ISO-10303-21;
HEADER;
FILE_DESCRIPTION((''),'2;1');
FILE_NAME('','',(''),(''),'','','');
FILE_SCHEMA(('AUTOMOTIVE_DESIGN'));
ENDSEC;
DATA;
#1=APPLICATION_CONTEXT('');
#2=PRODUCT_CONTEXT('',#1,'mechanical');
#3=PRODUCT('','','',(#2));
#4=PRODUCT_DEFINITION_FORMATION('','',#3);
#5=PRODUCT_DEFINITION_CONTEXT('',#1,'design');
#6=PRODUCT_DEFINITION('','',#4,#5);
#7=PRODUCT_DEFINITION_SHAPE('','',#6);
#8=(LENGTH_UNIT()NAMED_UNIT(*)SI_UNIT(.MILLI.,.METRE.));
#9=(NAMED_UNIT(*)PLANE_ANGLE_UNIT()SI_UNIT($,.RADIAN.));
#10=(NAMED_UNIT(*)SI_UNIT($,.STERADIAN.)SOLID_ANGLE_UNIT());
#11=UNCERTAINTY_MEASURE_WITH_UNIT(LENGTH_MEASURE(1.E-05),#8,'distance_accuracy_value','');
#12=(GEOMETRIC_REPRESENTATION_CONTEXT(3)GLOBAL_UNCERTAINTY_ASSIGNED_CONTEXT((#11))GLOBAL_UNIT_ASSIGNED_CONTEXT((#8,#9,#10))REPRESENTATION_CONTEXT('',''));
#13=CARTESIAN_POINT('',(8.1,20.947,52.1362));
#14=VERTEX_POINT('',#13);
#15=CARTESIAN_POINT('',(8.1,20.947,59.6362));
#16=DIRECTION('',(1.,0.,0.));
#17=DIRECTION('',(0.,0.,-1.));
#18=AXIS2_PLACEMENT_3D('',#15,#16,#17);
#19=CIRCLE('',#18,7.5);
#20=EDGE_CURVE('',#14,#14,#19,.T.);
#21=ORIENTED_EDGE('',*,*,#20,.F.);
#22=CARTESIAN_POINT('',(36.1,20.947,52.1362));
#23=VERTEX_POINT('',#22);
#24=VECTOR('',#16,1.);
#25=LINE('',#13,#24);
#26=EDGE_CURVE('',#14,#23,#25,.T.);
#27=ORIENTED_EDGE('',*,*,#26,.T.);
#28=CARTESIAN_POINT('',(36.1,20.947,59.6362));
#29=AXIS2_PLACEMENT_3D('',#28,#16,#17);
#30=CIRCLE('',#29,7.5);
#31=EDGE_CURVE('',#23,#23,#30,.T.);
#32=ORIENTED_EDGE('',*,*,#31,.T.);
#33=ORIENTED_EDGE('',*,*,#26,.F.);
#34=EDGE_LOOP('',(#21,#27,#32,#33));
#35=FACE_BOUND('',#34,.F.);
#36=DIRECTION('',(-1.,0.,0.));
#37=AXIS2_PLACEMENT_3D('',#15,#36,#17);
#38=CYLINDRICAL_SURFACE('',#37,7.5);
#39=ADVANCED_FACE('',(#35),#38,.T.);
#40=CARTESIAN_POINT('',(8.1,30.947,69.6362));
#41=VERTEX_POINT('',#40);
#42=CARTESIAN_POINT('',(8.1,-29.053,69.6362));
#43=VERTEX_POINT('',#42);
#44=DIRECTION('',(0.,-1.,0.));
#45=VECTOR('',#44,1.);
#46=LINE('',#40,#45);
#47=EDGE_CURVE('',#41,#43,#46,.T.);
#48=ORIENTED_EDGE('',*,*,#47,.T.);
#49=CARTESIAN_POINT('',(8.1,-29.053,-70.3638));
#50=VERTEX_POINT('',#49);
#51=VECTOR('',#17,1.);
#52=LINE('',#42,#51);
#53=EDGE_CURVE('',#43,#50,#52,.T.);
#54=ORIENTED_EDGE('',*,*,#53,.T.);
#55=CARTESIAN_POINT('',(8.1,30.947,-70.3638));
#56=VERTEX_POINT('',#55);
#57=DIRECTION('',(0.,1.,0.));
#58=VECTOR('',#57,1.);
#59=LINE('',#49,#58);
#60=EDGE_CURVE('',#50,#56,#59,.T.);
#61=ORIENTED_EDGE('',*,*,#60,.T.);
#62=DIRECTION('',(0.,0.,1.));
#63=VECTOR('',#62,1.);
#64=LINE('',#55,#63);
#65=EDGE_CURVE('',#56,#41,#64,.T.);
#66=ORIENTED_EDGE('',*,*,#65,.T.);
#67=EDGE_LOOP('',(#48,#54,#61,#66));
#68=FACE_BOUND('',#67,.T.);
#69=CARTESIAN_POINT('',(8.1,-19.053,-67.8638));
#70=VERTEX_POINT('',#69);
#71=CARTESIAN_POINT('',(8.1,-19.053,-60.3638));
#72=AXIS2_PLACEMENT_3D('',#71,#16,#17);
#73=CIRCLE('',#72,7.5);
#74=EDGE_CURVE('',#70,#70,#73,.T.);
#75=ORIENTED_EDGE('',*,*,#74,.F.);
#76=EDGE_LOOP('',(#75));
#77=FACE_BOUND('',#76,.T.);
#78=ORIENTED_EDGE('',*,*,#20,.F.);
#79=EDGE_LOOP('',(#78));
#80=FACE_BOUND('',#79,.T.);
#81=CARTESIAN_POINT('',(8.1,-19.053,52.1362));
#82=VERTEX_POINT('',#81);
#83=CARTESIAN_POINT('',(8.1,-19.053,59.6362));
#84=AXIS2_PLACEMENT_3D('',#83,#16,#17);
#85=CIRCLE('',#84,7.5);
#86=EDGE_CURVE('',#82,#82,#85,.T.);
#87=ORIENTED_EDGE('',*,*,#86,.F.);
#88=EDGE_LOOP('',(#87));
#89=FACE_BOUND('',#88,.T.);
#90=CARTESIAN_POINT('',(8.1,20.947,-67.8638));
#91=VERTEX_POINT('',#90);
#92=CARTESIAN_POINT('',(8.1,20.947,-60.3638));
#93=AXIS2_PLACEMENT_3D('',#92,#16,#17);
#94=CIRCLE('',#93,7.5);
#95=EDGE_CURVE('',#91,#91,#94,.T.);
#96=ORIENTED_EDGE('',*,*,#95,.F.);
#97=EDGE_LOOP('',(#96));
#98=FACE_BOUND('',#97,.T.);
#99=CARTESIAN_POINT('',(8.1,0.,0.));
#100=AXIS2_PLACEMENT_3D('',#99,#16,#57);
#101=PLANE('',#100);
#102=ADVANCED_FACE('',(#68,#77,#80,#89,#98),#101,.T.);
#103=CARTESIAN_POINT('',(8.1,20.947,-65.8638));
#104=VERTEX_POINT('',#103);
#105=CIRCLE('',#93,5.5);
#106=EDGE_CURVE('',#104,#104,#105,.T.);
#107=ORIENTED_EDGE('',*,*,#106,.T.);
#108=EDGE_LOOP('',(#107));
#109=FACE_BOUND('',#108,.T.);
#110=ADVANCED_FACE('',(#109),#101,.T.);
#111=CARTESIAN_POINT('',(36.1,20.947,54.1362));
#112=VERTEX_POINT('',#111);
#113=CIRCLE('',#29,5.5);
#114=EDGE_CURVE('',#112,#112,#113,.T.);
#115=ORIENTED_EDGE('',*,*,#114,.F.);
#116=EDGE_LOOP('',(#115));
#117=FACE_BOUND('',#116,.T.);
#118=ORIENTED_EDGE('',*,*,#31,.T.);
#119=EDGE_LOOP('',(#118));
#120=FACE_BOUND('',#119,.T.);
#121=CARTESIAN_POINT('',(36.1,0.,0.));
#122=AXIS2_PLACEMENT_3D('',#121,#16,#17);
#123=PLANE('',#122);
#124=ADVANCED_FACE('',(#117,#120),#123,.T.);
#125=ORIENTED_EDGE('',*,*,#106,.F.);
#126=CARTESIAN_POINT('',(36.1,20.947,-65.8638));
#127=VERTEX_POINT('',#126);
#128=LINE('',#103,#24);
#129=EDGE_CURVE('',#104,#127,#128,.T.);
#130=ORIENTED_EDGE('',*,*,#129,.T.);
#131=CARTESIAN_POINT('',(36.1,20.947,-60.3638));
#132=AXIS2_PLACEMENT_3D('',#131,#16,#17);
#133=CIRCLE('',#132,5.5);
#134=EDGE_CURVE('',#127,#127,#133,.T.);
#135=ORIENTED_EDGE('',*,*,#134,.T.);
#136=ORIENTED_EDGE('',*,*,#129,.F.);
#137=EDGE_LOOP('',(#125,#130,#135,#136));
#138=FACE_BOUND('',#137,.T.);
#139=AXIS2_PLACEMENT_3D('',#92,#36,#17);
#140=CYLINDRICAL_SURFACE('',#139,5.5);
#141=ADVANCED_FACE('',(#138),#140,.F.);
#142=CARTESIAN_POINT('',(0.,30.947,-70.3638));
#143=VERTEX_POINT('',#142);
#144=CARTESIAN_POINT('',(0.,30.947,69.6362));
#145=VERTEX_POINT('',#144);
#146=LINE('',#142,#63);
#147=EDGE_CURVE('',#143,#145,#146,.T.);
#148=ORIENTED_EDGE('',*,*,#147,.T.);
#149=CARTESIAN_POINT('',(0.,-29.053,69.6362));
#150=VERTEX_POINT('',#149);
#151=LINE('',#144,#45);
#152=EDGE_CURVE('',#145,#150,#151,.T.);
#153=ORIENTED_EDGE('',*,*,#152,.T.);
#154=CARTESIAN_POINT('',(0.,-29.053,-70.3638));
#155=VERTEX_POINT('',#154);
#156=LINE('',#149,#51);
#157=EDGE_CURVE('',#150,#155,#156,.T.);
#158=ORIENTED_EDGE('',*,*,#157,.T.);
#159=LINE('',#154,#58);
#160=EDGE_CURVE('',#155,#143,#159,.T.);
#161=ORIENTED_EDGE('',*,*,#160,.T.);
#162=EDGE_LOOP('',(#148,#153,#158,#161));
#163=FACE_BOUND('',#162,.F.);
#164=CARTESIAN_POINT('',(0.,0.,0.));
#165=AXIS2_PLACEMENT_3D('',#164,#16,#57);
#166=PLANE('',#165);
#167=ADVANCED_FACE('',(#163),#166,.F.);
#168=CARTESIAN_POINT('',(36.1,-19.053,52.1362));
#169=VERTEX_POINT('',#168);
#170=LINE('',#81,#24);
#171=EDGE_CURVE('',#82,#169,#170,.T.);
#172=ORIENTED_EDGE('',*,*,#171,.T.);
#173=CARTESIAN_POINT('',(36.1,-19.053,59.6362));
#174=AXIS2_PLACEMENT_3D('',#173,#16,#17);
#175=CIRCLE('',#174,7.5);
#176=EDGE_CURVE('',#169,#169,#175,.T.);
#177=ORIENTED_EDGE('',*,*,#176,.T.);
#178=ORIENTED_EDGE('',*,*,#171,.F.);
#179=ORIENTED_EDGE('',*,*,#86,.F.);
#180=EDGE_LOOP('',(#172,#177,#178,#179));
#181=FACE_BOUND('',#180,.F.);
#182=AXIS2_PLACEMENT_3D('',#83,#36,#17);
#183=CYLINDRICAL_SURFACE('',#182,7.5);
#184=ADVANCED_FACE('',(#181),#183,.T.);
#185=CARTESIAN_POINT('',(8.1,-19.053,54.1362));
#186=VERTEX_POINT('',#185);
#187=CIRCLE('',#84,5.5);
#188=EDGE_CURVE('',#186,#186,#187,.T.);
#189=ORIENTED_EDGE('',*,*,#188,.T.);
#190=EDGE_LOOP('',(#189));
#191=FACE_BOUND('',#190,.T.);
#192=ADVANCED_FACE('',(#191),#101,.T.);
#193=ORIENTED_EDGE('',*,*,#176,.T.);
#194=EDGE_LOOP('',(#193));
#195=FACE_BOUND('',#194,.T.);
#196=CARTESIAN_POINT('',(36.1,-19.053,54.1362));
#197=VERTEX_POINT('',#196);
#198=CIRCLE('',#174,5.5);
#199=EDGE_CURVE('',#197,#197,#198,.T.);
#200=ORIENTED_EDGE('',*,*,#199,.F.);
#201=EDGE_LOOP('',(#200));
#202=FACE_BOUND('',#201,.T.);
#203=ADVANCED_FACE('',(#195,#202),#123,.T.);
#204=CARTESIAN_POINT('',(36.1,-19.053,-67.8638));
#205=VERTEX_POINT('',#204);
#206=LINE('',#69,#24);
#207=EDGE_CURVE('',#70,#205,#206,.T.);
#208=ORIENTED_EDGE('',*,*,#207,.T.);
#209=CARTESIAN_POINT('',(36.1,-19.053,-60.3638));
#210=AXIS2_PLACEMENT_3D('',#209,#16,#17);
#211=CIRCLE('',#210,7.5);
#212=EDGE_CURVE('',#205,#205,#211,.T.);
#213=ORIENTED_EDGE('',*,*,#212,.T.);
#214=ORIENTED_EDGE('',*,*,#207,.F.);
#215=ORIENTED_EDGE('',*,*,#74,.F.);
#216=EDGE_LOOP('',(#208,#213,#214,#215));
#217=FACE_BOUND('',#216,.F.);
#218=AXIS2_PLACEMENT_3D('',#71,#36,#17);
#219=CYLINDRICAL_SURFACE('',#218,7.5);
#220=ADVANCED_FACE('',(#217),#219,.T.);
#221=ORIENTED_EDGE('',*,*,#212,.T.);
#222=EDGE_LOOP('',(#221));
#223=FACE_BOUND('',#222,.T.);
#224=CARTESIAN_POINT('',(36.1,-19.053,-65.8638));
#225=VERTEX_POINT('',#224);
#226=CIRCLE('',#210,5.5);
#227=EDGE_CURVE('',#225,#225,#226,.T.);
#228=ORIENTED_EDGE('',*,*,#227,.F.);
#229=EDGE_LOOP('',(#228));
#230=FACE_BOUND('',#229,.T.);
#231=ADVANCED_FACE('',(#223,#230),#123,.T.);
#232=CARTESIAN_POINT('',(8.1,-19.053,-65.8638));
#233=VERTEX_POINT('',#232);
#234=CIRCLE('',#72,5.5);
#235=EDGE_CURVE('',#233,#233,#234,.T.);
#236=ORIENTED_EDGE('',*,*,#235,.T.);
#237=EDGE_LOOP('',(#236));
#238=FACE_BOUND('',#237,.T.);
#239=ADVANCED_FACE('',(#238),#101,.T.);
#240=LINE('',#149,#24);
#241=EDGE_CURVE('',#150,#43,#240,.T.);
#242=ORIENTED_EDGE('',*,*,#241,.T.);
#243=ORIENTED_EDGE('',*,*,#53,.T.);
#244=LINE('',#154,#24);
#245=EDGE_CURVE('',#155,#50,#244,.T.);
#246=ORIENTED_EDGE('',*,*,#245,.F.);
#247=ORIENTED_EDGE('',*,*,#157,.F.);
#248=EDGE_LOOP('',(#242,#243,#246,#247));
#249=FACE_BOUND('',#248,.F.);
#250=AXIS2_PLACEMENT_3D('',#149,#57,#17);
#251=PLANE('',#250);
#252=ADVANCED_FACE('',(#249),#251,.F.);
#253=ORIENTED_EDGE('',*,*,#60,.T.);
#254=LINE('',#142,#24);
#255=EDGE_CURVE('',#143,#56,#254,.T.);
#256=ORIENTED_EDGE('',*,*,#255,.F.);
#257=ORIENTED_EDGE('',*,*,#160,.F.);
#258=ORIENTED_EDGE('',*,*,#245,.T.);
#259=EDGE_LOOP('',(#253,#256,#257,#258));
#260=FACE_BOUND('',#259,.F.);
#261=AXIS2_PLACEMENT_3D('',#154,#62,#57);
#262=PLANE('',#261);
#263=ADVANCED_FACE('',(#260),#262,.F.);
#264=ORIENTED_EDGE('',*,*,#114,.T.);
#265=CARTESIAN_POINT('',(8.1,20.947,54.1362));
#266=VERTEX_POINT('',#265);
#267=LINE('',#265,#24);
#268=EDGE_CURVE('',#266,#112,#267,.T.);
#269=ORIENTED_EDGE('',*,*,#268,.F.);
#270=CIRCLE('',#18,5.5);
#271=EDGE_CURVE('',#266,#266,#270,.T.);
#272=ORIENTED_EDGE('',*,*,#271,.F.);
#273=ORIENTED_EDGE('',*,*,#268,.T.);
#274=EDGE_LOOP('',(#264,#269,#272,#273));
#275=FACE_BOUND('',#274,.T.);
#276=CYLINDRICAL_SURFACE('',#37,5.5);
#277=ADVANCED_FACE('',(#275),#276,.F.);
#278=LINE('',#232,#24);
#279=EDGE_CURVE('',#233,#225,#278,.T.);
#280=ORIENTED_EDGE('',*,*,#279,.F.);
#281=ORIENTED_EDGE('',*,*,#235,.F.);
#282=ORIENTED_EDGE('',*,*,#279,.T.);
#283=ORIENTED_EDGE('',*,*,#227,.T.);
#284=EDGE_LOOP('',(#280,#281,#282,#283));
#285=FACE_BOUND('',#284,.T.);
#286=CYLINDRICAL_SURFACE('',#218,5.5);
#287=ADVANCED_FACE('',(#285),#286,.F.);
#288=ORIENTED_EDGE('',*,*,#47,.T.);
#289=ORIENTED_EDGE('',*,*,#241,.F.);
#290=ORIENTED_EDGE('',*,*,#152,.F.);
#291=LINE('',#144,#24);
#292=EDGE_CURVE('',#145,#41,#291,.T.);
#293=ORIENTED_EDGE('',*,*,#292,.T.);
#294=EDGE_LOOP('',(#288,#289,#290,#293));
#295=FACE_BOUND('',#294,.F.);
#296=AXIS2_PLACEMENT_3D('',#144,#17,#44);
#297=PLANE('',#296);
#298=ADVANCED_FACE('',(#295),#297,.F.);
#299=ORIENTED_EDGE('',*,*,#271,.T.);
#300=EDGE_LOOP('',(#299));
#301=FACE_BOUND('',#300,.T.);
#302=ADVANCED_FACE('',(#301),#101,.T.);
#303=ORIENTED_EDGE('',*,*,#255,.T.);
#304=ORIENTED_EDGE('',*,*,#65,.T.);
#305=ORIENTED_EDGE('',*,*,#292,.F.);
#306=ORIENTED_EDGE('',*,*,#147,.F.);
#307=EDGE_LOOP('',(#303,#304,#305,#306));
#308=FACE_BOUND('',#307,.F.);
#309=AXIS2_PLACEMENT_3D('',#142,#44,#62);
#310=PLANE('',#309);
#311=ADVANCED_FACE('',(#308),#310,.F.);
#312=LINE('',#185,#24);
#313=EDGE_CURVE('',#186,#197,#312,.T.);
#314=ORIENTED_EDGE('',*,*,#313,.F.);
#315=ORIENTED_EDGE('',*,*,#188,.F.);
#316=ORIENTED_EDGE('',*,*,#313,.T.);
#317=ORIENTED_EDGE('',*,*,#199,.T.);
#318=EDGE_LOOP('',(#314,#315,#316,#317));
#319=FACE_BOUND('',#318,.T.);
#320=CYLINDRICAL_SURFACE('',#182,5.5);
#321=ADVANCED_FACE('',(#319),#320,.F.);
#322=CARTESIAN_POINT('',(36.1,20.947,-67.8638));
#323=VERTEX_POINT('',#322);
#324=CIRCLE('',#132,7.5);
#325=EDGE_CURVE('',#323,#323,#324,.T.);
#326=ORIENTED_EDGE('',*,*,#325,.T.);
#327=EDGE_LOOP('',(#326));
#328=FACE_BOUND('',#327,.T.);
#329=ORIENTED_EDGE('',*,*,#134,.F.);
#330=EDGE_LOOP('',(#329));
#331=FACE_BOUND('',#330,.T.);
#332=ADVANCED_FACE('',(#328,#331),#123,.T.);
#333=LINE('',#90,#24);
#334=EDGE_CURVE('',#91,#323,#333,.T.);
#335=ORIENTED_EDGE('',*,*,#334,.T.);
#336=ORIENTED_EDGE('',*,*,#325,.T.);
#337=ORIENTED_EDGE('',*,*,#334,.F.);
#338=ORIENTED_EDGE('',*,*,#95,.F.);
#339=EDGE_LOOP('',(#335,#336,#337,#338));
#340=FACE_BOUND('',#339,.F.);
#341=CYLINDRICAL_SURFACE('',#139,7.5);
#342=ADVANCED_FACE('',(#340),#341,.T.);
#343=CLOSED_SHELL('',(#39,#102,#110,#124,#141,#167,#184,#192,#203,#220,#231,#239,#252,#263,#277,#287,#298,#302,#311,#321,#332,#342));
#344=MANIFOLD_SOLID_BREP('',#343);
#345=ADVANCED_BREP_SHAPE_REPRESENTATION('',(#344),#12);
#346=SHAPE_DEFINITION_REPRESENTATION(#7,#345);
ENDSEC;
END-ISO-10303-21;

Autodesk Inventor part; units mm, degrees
ref_plane "YZ Plane" through (0, 0, 0) normal (1, 0, 0) x (0, 1, 0)
ref_plane "XZ Plane" through (0, 0, 0) normal (0, 1, 0) x (-1, 0, 0)
ref_plane "XY Plane" through (0, 0, 0) normal (0, 0, 1) x (1, 0, 0)
sketch "スケッチ1" plane through (0, 0, 0) normal (1, 0, 0) x (0, 1, 0)
  line L0 (30.947, 69.6362) -> (-29.053, 69.6362)
  line L1 (-29.053, 69.6362) -> (-29.053, -70.3638)
  line L2 (-29.053, -70.3638) -> (30.947, -70.3638)
  line L3 (30.947, -70.3638) -> (30.947, 69.6362)
  point P0 (0, 0)
  dimension "d0" = 60
  dimension "d1" = 140
extrude "押し出し1" add sketch "スケッチ1" along normal blind 8.1
sketch "スケッチ2" plane through (8.1, 0, 0) normal (1, 0, 0) x (0, 0, -1)
  circle A0 centre (-59.6362, 20.947) radius 7.5
  line L0 (70.3638, 30.947) -> (-69.6362, 30.947) projected
  line L1 (-69.6362, 30.947) -> (-69.6362, -29.053) projected
  circle A1 centre (-59.6362, -19.053) radius 7.5
  line L2 (-69.6362, -29.053) -> (70.3638, -29.053) projected
  circle A2 centre (60.3638, 20.947) radius 7.5
  line L3 (70.3638, -29.053) -> (70.3638, 30.947) projected
  circle A3 centre (60.3638, -19.053) radius 7.5
  circle A4 centre (-59.6362, 20.947) radius 5.5
  circle A5 centre (-59.6362, -19.053) radius 5.5
  circle A6 centre (60.3638, 20.947) radius 5.5
  circle A7 centre (60.3638, -19.053) radius 5.5
  point P0 (0, 0)
  dimension "d4" = 15
  dimension "d5" = 10
  dimension "d6" = 10
  dimension "d7" = 15
  dimension "d8" = 10
  dimension "d9" = 15
  dimension "d10" = 10
  dimension "d11" = 15
  dimension "d12" = 11
  dimension "d13" = 11
  dimension "d14" = 11
  dimension "d15" = 11
extrude "押し出し2" add sketch "スケッチ2" along normal blind 28 contours A0 | A1 | A2 | A3
equation "\"BendRadius\" = Thickness"
equation "\"BendReliefWidth\" = Thickness"
equation "\"BendReliefDepth\" = 0.5 * Thickness"
equation "\"CornerReliefSize\" = 4 * Thickness"
equation "\"MinimumRemnant\" = 2 * Thickness"
equation "\"TransitionRadius\" = BendRadius"
equation "\"JacobiRadiusSize\" = BendRadius"
equation "\"GapSize\" = Thickness"
equation "\"Thickness\" = 0.5"
